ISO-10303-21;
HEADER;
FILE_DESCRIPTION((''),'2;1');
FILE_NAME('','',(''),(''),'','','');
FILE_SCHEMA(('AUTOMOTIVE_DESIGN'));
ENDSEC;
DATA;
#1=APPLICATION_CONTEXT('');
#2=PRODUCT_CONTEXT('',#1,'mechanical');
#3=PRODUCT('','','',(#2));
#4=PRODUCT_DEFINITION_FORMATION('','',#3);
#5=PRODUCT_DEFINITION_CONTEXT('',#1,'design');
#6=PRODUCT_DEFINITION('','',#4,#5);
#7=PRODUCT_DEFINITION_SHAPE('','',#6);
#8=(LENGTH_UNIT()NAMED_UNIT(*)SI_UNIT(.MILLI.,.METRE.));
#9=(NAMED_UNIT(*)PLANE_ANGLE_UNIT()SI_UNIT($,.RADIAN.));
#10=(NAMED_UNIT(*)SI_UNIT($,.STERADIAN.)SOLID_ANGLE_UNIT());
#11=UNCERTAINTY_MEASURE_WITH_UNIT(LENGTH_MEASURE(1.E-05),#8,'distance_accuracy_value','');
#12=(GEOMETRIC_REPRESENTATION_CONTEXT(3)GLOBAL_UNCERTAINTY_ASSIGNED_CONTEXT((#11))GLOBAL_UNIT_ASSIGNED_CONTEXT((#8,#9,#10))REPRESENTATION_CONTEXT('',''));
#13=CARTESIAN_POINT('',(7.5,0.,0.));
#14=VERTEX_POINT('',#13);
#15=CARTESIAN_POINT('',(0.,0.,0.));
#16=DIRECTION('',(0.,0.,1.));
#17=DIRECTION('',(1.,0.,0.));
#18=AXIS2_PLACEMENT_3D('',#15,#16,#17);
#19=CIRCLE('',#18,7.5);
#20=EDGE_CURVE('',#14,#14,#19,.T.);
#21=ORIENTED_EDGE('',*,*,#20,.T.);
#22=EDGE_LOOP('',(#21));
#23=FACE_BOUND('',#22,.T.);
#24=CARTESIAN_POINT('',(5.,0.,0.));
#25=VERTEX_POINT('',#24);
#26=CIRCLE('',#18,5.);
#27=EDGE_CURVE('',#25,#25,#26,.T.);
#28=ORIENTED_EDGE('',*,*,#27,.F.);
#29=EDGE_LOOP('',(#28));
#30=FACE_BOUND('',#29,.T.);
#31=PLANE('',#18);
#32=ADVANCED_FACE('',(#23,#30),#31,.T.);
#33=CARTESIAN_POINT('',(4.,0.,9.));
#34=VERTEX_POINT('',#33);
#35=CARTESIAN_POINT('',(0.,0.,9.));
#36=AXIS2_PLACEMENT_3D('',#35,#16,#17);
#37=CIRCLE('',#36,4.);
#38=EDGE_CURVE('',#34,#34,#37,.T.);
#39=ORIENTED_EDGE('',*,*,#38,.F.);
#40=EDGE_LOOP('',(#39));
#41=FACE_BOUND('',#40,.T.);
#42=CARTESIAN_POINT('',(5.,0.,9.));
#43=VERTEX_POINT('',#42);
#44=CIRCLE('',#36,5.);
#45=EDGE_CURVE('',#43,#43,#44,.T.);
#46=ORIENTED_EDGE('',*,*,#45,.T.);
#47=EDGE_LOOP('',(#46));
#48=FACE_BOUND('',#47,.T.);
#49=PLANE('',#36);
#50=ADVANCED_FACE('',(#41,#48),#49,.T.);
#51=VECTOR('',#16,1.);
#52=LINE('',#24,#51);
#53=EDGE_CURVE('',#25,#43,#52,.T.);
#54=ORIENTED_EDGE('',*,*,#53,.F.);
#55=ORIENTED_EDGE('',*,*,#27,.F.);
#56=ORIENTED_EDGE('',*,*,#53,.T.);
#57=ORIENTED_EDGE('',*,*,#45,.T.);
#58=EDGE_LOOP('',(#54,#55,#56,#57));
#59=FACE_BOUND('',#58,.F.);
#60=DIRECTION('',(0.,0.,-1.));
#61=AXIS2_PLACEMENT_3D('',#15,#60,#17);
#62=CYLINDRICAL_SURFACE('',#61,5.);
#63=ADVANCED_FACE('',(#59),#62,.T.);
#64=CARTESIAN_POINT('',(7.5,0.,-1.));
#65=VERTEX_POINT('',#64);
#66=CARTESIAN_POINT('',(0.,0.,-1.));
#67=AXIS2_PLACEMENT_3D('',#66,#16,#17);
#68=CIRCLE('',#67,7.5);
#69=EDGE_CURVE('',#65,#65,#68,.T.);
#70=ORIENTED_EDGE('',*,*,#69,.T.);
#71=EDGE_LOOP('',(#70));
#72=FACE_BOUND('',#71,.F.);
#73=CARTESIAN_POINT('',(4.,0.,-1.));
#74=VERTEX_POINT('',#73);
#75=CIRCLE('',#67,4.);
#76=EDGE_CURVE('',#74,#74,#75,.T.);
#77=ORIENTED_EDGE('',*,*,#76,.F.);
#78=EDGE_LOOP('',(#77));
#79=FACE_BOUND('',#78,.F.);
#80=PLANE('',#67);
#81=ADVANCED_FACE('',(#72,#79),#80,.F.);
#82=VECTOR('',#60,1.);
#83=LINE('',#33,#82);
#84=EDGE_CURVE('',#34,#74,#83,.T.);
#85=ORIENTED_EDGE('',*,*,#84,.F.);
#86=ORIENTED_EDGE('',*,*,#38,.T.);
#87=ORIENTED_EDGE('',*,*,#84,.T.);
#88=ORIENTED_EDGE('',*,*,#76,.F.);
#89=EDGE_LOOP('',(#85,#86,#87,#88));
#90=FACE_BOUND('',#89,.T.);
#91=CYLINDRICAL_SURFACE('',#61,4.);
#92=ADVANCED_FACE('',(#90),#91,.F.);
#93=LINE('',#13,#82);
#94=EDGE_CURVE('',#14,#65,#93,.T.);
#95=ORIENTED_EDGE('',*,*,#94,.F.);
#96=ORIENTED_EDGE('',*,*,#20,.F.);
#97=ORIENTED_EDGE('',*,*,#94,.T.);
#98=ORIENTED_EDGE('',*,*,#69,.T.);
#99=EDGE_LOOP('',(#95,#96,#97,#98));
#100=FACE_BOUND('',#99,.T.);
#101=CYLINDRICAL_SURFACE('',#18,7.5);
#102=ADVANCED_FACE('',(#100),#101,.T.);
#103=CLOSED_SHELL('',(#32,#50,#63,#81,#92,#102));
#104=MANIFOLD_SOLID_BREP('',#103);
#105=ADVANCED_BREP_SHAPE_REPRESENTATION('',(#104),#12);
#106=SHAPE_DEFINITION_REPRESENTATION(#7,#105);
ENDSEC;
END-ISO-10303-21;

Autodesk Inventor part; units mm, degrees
ref_plane "YZ Plane" through (0, 0, 0) normal (1, 0, 0) x (0, 1, 0)
ref_plane "XZ Plane" through (0, 0, 0) normal (0, 1, 0) x (-1, 0, 0)
ref_plane "XY Plane" through (0, 0, 0) normal (0, 0, 1) x (1, 0, 0)
sketch "スケッチ1" plane through (0, 0, 0) normal (0, 0, 1) x (1, 0, 0)
  circle A0 centre (0, 0) radius 7.5
  circle A1 centre (0, 0) radius 5
  circle A2 centre (0, 0) radius 4
  dimension "d0" = 15
  dimension "d1" = 10
  dimension "d2" = 8
extrude "押し出し1" add sketch "スケッチ1" along normal blind 9 contours A1
extrude "押し出し2" add sketch "スケッチ1" against normal blind 1 contours A0 | A1
properties part number "オイレス　m4　8　フランジ付き l=9" material "アセタール樹脂、黒"
